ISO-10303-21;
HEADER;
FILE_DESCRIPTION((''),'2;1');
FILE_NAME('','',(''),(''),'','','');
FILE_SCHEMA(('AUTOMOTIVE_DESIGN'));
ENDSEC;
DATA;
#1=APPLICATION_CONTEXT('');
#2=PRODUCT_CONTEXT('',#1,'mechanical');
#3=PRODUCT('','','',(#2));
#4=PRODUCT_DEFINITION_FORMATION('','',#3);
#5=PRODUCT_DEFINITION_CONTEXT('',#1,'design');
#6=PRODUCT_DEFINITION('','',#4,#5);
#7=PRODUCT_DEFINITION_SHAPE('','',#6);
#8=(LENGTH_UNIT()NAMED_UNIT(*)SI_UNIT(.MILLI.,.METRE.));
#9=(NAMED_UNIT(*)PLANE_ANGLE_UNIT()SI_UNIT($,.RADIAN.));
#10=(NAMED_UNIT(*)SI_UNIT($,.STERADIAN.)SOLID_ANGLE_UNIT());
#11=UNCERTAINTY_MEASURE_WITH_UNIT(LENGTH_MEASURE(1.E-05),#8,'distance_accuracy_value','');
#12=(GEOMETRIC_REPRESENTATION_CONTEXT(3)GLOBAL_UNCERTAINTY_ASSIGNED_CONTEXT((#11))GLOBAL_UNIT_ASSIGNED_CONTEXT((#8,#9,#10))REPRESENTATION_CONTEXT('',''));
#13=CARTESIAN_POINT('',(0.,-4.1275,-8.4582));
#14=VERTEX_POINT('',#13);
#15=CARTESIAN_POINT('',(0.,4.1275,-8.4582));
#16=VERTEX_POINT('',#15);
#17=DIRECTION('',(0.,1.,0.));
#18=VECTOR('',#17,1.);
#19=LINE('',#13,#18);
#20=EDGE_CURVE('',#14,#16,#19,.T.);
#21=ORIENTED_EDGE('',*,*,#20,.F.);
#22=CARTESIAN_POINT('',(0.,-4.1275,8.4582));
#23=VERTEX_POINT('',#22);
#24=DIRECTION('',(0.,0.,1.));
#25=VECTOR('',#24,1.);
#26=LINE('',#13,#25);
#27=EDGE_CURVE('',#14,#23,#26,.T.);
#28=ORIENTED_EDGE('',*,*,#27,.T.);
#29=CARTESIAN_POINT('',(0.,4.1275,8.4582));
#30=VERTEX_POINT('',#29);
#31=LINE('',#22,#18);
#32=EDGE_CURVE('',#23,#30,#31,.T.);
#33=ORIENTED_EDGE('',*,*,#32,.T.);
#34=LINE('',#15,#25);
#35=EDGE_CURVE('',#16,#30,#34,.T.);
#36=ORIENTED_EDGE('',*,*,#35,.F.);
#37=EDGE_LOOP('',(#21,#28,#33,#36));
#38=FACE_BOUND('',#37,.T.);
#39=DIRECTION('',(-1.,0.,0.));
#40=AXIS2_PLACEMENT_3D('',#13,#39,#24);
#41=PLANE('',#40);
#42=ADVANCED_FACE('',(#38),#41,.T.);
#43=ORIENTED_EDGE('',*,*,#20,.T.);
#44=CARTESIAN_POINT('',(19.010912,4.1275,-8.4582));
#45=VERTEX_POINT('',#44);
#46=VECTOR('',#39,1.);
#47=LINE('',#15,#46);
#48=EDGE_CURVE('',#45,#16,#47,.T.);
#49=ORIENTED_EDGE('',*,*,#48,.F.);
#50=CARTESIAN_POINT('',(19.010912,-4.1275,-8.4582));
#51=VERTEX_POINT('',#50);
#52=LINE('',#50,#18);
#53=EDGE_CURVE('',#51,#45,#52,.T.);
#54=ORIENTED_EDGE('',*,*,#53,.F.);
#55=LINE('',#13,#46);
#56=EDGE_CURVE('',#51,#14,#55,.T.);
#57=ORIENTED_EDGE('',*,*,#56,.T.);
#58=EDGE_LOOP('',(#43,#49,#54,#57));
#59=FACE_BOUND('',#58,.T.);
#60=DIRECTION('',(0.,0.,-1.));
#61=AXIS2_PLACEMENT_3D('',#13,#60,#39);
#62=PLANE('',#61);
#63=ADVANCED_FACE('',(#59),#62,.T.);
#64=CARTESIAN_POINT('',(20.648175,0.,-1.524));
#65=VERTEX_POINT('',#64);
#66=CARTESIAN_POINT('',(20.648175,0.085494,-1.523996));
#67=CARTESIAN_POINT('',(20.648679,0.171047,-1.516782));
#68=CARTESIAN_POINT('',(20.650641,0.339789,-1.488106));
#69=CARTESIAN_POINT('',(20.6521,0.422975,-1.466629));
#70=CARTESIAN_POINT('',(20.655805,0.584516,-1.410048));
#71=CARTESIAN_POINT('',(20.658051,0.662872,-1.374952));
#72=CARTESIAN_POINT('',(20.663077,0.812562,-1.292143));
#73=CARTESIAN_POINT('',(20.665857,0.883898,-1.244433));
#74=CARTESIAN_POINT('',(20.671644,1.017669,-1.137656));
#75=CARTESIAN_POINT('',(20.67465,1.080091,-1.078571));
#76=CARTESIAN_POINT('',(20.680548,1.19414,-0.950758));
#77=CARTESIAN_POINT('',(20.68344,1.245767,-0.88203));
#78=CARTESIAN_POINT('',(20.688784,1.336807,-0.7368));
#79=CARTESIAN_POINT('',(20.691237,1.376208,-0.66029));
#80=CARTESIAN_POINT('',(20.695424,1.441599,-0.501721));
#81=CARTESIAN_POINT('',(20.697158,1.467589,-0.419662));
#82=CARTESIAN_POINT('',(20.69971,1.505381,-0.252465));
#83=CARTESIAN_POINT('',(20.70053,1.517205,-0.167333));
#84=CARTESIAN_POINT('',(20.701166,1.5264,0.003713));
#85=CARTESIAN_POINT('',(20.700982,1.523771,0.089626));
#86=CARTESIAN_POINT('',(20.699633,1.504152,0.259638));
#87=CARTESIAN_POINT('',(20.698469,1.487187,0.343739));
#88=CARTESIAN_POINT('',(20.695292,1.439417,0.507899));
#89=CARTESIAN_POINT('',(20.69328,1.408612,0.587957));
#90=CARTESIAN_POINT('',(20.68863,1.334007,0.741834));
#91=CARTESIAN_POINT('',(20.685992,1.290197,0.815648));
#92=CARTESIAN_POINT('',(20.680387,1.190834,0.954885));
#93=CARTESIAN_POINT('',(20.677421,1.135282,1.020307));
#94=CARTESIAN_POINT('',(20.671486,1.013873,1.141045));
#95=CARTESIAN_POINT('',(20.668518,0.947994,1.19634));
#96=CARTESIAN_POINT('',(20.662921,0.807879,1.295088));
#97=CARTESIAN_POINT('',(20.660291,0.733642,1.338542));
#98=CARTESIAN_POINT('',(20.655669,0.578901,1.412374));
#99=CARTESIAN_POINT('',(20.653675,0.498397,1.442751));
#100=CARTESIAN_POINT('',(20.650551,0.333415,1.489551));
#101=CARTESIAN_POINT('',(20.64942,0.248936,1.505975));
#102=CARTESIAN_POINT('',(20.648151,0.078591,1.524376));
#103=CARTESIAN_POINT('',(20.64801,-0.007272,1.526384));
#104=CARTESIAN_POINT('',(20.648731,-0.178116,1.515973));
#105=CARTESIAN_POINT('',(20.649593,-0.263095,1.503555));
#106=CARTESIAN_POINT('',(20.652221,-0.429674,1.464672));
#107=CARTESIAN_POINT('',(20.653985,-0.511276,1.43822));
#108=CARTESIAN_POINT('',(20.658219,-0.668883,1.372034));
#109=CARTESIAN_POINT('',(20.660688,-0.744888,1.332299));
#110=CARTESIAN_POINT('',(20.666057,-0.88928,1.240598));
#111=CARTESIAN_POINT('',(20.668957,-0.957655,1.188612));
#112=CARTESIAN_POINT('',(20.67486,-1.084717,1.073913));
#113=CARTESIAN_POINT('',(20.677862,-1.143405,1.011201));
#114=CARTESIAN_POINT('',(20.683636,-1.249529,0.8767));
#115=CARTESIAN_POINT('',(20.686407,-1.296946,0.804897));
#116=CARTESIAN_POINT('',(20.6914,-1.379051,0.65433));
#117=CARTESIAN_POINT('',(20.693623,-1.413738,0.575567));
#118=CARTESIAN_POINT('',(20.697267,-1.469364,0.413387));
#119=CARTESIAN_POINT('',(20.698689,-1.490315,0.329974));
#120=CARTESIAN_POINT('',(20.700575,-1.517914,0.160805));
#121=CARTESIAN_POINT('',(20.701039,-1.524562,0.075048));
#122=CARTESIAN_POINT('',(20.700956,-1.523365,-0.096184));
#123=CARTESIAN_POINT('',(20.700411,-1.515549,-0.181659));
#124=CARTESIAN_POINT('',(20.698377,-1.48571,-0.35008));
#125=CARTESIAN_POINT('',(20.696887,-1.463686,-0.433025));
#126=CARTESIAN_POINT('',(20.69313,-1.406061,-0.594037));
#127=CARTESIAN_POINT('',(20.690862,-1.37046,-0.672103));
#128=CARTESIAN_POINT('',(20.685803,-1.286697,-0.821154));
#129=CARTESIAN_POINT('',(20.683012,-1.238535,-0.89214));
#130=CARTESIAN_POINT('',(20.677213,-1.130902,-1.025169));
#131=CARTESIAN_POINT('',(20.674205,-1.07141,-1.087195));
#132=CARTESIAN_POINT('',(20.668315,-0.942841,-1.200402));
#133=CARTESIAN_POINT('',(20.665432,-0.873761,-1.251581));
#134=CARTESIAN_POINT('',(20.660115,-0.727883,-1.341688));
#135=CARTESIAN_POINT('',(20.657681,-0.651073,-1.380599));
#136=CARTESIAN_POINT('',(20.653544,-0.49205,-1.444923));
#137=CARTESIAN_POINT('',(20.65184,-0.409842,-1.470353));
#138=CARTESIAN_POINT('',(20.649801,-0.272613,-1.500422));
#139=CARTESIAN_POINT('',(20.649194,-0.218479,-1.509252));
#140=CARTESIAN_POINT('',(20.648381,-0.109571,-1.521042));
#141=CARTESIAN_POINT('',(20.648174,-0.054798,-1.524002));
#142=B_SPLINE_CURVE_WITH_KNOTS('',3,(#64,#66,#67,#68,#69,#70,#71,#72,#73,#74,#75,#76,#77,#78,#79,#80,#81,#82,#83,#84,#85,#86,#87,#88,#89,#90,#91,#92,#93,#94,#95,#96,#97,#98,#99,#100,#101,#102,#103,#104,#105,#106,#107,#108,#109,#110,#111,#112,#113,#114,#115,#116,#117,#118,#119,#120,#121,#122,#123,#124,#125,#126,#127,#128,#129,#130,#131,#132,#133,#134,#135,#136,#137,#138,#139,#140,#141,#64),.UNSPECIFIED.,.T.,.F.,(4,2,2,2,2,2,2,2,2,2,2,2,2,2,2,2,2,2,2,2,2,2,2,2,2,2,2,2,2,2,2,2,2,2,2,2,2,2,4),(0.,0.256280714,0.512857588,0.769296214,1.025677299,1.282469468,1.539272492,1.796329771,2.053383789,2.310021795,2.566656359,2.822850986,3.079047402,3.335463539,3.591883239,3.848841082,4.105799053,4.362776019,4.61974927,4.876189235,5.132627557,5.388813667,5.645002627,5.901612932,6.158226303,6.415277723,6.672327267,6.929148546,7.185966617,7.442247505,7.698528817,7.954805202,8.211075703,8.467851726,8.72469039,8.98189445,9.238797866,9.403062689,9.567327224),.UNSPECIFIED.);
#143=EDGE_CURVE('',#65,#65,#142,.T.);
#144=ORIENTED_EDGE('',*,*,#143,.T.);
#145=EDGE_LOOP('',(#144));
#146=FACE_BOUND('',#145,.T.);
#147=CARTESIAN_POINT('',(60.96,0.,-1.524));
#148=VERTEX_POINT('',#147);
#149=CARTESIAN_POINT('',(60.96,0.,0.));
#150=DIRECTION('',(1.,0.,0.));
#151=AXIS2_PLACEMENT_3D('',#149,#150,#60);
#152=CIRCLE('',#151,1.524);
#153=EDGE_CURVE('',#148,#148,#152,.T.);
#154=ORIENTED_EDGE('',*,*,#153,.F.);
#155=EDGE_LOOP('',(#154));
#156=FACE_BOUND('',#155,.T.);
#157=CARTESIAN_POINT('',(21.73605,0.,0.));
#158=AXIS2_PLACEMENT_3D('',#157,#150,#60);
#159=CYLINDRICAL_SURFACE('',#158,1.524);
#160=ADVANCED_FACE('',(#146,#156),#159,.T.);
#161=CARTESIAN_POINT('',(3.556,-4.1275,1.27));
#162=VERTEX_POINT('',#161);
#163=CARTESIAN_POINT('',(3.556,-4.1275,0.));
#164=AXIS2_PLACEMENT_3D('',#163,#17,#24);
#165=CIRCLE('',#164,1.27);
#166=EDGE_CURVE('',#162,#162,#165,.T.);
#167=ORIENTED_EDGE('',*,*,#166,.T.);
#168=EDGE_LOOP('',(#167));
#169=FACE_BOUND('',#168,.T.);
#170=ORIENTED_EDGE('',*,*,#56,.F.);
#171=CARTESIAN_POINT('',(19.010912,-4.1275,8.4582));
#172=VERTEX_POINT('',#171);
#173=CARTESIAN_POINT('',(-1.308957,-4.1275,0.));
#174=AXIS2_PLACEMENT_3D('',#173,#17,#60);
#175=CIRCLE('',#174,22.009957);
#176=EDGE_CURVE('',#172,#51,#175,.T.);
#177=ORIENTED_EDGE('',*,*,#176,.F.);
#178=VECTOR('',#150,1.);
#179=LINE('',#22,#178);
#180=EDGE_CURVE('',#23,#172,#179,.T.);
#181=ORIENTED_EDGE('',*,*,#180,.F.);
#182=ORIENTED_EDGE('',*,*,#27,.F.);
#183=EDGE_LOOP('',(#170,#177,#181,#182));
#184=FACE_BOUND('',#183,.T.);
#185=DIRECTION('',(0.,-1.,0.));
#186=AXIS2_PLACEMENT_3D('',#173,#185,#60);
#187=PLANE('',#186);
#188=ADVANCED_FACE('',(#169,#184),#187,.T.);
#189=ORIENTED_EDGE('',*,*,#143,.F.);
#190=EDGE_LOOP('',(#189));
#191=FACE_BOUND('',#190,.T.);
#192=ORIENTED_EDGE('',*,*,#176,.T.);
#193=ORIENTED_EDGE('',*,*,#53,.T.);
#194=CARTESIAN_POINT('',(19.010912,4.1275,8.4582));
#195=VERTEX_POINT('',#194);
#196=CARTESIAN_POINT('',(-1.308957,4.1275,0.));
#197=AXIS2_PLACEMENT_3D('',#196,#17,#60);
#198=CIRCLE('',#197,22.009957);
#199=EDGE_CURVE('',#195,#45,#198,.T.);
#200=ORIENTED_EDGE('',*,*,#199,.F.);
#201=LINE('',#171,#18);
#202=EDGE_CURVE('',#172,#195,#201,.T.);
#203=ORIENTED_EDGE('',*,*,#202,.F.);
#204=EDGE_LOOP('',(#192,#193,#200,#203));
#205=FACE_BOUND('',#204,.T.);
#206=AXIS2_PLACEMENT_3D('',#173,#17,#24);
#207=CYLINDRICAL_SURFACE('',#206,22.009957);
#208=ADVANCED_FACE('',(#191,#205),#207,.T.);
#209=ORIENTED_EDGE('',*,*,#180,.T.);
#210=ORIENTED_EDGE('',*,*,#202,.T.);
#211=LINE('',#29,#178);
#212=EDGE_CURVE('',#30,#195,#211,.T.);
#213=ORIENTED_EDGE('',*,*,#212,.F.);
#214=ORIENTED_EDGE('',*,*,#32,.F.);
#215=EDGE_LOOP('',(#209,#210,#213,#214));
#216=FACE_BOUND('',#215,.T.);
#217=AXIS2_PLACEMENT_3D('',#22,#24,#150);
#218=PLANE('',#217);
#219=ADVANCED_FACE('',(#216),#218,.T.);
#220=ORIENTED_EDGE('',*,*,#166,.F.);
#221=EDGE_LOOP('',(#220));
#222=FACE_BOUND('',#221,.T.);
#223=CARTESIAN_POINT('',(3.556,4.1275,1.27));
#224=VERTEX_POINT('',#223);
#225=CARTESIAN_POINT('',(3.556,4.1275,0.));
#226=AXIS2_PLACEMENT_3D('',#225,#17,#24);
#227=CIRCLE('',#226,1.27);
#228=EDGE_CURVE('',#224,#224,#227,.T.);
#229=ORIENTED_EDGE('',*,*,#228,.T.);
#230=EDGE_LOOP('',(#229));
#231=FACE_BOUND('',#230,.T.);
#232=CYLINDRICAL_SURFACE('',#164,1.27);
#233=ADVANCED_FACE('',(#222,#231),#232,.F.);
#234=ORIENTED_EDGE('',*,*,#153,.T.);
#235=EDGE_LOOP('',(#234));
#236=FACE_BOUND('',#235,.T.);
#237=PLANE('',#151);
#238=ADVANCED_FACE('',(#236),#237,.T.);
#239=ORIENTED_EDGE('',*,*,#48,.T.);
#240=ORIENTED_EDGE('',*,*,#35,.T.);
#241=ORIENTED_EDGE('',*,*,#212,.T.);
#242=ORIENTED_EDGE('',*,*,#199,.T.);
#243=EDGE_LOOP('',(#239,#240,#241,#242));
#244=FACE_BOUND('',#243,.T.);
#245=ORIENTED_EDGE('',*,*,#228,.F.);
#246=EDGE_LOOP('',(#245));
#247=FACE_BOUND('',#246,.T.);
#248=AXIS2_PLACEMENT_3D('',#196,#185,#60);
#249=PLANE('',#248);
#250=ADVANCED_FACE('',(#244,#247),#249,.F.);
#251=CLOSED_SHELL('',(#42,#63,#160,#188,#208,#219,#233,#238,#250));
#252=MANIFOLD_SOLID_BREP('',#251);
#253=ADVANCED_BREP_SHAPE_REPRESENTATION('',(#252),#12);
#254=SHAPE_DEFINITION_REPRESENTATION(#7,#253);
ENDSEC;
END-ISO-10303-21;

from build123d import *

# Parameters (mm, degrees)
BOSS_EXTRUDE1_DEPTH      = 4.1275
BOSS_EXTRUDE1_DEPTH_BACK = 4.1275
SKETCH1_R                = 1.27


with BuildPart() as part:
    # Sketch1 → Boss-Extrude1 (new, two sides: drawn at the far end of the back side and taken through both)
    with BuildSketch(Plane(origin=(0, 0, 0), x_dir=(1, 0, 0), z_dir=(0, 1, 0)).offset(-BOSS_EXTRUDE1_DEPTH_BACK)):
        with BuildLine():
            Line((0, 8.4582), (19.010911587, 8.4582))
            ThreePointArc((19.010911587, 8.4582), (20.701, 0), (19.010911587, -8.4582))
            Line((19.010911587, -8.4582), (0, -8.4582))
            Line((0, -8.4582), (0, 8.4582))
        make_face()
        with Locations((3.556, 0)):
            Circle(SKETCH1_R, mode=Mode.SUBTRACT)
    extrude(amount=BOSS_EXTRUDE1_DEPTH + BOSS_EXTRUDE1_DEPTH_BACK)

    # Sketch2 → Revolve1 (revolve)
    with BuildSketch(Plane(origin=(0, 0, 0), x_dir=(1, 0, 0), z_dir=(0, 1, 0))):
        Polygon((20.701, 0), (60.96, 0), (60.96, 1.524), (20.701, 1.524), (20.016943544, 1.524), (20.016943544, 0), align=None)
    revolve(axis=Axis((21.73605, 0, 0), (-1, 0, 0)))


solid = part.part
